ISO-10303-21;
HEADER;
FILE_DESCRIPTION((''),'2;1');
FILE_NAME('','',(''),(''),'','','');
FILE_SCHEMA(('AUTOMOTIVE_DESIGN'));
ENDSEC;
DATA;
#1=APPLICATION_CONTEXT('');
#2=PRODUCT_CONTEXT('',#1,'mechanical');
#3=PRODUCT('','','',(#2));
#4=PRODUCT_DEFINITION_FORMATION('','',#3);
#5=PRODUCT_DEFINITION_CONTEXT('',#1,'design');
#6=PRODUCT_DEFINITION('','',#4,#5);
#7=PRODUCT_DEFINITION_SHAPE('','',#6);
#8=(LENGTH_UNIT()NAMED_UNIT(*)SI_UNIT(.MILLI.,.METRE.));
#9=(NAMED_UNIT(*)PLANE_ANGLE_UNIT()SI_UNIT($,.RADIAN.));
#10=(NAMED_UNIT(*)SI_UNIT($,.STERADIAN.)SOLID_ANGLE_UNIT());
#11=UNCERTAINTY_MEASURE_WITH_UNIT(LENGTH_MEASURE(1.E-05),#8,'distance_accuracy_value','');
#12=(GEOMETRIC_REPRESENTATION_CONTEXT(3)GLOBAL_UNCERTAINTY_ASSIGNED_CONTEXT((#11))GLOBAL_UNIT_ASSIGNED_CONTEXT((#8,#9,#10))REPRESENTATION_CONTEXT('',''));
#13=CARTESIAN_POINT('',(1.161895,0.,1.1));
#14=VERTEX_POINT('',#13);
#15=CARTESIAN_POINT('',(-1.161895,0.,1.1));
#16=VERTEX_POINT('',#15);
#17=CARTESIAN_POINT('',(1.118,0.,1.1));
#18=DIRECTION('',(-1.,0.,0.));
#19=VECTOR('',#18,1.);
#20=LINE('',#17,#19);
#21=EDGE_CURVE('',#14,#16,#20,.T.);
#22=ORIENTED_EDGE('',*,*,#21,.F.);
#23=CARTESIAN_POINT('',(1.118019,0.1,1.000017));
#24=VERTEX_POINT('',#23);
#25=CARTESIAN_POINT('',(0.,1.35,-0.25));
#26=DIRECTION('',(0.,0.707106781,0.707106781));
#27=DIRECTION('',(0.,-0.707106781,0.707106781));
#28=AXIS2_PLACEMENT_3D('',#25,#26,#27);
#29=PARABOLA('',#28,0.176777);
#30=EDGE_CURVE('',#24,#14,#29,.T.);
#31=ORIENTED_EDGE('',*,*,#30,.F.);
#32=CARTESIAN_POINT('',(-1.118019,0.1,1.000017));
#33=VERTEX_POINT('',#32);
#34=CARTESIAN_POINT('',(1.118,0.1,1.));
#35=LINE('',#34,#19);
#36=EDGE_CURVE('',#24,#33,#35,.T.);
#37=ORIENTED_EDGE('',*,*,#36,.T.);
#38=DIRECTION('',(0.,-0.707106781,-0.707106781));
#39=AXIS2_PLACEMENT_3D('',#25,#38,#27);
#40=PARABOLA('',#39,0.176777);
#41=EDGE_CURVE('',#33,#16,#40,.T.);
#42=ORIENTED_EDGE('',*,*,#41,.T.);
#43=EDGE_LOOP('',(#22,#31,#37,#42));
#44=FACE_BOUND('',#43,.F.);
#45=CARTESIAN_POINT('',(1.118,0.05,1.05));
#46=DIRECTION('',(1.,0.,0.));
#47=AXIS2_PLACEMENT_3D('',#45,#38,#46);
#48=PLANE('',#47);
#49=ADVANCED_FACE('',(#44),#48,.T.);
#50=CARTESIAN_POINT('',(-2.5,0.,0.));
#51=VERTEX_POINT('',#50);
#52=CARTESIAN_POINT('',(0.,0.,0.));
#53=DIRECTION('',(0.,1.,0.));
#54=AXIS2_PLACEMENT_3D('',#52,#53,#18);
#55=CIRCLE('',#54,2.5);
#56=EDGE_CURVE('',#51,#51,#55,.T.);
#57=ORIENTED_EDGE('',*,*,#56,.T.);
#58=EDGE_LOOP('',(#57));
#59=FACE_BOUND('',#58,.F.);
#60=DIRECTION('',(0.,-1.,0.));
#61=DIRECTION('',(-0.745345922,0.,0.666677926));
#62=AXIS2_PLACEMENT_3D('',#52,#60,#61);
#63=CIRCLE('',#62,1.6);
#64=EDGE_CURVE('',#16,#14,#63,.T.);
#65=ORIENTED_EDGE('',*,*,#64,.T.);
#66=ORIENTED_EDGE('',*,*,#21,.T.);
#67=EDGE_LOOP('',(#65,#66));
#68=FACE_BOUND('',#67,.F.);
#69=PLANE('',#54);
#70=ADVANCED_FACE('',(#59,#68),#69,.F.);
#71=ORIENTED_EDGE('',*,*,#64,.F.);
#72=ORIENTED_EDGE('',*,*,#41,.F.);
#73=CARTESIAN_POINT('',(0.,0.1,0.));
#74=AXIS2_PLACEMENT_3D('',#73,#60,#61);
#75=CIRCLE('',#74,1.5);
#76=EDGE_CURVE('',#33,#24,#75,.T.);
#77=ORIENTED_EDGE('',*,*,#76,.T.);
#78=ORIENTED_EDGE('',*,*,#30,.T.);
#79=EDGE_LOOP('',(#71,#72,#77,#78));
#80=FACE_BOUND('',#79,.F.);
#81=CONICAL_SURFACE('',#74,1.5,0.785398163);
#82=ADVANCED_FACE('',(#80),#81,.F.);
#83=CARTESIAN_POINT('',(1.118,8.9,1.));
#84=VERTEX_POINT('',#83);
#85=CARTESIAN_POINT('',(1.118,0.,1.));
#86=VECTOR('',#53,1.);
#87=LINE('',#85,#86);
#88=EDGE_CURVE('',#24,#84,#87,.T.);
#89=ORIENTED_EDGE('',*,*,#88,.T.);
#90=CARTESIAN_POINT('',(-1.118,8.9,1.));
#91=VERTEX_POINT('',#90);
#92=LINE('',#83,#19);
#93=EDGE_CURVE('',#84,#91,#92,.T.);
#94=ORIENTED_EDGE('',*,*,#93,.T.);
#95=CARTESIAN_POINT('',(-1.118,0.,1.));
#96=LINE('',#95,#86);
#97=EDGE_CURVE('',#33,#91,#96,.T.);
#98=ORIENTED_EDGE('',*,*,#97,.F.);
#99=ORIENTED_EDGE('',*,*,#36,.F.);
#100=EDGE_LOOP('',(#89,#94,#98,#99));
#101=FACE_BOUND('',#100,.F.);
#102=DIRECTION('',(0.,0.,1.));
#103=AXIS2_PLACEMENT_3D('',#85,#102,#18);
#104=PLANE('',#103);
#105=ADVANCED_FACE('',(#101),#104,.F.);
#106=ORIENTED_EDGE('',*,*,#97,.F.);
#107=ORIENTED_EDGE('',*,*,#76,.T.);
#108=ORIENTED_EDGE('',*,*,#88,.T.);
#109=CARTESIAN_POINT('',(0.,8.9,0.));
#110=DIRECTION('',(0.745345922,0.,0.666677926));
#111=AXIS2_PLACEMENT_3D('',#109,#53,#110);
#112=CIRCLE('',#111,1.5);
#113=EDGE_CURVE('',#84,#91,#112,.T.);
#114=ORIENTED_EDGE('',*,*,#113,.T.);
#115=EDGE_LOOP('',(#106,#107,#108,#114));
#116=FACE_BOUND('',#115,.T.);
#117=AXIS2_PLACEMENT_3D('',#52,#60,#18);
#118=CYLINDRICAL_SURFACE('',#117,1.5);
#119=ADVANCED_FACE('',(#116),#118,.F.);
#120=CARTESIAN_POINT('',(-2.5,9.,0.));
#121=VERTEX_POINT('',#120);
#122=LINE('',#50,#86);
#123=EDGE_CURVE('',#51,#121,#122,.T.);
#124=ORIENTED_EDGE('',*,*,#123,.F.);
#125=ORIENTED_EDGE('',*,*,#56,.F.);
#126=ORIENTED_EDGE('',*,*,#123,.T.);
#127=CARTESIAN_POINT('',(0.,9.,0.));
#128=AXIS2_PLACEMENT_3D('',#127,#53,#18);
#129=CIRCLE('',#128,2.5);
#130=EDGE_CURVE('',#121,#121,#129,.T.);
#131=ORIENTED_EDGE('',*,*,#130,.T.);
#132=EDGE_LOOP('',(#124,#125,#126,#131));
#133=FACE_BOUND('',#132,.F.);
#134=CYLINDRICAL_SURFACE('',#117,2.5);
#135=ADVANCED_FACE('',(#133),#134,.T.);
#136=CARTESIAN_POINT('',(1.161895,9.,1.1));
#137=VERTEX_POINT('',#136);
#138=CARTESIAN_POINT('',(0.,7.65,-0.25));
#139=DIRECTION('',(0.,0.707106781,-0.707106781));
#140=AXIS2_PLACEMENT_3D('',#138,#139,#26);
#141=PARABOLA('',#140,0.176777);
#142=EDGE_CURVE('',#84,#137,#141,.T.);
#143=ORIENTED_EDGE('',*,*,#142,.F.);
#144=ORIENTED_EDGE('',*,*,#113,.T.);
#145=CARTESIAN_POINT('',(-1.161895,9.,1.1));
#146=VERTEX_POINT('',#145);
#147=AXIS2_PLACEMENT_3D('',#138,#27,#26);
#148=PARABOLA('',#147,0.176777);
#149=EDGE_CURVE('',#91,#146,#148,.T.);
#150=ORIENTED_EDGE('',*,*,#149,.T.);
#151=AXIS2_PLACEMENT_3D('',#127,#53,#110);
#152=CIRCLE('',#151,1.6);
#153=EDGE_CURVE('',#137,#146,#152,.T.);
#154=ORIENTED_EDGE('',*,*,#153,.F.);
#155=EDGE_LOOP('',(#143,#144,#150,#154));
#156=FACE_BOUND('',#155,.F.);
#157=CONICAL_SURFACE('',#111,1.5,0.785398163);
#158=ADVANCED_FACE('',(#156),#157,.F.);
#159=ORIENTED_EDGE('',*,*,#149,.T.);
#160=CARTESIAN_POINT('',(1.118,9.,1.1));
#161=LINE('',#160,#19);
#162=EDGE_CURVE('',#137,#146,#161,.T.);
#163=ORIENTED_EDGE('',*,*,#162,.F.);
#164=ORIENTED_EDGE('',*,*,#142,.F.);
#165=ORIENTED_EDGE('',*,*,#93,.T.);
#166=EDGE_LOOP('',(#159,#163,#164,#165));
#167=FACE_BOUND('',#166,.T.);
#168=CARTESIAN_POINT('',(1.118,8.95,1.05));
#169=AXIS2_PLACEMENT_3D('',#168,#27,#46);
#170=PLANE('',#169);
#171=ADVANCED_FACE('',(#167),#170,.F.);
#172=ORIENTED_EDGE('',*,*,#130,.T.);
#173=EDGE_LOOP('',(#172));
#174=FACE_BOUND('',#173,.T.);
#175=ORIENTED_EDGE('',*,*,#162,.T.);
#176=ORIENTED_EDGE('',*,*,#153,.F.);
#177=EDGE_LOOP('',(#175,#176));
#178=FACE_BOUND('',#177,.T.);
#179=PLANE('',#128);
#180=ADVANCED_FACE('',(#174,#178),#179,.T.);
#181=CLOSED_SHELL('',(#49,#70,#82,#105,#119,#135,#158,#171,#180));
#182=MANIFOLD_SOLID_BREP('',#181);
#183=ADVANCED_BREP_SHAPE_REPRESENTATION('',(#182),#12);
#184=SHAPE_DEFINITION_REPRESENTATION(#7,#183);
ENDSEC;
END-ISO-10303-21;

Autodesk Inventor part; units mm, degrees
ref_plane "YZ Plane" through (0, 0, 0) normal (1, 0, 0) x (0, 1, 0)
ref_plane "XZ Plane" through (0, 0, 0) normal (0, 1, 0) x (-1, 0, 0)
ref_plane "XY Plane" through (0, 0, 0) normal (0, 0, 1) x (1, 0, 0)
sketch "Эскиз1" plane through (0, 0, 0) normal (0, 1, 0) x (-1, 0, 0)
  circle A0 centre (0, 0) radius 1.5
  line L0 (-1.118, 1) -> (1.118, 1)
  circle A1 centre (0, 0) radius 2.5
  dimension "d0" = 3
  dimension "d11" = 2.236
  dimension "d12" = 5
extrude "Выдавливание4" add sketch "Эскиз1" along normal blind 9 contours L0 A0 | A1 picked at (-0.0599, 1.1631)
chamfer "Фаска1" distance 0.1 angle 45 4 edges at (0, 0, -1.5) (0, 0, 1) (0, 9, 1) (0, 9, -1.5)
properties part number "Шкив для ДПТ"
